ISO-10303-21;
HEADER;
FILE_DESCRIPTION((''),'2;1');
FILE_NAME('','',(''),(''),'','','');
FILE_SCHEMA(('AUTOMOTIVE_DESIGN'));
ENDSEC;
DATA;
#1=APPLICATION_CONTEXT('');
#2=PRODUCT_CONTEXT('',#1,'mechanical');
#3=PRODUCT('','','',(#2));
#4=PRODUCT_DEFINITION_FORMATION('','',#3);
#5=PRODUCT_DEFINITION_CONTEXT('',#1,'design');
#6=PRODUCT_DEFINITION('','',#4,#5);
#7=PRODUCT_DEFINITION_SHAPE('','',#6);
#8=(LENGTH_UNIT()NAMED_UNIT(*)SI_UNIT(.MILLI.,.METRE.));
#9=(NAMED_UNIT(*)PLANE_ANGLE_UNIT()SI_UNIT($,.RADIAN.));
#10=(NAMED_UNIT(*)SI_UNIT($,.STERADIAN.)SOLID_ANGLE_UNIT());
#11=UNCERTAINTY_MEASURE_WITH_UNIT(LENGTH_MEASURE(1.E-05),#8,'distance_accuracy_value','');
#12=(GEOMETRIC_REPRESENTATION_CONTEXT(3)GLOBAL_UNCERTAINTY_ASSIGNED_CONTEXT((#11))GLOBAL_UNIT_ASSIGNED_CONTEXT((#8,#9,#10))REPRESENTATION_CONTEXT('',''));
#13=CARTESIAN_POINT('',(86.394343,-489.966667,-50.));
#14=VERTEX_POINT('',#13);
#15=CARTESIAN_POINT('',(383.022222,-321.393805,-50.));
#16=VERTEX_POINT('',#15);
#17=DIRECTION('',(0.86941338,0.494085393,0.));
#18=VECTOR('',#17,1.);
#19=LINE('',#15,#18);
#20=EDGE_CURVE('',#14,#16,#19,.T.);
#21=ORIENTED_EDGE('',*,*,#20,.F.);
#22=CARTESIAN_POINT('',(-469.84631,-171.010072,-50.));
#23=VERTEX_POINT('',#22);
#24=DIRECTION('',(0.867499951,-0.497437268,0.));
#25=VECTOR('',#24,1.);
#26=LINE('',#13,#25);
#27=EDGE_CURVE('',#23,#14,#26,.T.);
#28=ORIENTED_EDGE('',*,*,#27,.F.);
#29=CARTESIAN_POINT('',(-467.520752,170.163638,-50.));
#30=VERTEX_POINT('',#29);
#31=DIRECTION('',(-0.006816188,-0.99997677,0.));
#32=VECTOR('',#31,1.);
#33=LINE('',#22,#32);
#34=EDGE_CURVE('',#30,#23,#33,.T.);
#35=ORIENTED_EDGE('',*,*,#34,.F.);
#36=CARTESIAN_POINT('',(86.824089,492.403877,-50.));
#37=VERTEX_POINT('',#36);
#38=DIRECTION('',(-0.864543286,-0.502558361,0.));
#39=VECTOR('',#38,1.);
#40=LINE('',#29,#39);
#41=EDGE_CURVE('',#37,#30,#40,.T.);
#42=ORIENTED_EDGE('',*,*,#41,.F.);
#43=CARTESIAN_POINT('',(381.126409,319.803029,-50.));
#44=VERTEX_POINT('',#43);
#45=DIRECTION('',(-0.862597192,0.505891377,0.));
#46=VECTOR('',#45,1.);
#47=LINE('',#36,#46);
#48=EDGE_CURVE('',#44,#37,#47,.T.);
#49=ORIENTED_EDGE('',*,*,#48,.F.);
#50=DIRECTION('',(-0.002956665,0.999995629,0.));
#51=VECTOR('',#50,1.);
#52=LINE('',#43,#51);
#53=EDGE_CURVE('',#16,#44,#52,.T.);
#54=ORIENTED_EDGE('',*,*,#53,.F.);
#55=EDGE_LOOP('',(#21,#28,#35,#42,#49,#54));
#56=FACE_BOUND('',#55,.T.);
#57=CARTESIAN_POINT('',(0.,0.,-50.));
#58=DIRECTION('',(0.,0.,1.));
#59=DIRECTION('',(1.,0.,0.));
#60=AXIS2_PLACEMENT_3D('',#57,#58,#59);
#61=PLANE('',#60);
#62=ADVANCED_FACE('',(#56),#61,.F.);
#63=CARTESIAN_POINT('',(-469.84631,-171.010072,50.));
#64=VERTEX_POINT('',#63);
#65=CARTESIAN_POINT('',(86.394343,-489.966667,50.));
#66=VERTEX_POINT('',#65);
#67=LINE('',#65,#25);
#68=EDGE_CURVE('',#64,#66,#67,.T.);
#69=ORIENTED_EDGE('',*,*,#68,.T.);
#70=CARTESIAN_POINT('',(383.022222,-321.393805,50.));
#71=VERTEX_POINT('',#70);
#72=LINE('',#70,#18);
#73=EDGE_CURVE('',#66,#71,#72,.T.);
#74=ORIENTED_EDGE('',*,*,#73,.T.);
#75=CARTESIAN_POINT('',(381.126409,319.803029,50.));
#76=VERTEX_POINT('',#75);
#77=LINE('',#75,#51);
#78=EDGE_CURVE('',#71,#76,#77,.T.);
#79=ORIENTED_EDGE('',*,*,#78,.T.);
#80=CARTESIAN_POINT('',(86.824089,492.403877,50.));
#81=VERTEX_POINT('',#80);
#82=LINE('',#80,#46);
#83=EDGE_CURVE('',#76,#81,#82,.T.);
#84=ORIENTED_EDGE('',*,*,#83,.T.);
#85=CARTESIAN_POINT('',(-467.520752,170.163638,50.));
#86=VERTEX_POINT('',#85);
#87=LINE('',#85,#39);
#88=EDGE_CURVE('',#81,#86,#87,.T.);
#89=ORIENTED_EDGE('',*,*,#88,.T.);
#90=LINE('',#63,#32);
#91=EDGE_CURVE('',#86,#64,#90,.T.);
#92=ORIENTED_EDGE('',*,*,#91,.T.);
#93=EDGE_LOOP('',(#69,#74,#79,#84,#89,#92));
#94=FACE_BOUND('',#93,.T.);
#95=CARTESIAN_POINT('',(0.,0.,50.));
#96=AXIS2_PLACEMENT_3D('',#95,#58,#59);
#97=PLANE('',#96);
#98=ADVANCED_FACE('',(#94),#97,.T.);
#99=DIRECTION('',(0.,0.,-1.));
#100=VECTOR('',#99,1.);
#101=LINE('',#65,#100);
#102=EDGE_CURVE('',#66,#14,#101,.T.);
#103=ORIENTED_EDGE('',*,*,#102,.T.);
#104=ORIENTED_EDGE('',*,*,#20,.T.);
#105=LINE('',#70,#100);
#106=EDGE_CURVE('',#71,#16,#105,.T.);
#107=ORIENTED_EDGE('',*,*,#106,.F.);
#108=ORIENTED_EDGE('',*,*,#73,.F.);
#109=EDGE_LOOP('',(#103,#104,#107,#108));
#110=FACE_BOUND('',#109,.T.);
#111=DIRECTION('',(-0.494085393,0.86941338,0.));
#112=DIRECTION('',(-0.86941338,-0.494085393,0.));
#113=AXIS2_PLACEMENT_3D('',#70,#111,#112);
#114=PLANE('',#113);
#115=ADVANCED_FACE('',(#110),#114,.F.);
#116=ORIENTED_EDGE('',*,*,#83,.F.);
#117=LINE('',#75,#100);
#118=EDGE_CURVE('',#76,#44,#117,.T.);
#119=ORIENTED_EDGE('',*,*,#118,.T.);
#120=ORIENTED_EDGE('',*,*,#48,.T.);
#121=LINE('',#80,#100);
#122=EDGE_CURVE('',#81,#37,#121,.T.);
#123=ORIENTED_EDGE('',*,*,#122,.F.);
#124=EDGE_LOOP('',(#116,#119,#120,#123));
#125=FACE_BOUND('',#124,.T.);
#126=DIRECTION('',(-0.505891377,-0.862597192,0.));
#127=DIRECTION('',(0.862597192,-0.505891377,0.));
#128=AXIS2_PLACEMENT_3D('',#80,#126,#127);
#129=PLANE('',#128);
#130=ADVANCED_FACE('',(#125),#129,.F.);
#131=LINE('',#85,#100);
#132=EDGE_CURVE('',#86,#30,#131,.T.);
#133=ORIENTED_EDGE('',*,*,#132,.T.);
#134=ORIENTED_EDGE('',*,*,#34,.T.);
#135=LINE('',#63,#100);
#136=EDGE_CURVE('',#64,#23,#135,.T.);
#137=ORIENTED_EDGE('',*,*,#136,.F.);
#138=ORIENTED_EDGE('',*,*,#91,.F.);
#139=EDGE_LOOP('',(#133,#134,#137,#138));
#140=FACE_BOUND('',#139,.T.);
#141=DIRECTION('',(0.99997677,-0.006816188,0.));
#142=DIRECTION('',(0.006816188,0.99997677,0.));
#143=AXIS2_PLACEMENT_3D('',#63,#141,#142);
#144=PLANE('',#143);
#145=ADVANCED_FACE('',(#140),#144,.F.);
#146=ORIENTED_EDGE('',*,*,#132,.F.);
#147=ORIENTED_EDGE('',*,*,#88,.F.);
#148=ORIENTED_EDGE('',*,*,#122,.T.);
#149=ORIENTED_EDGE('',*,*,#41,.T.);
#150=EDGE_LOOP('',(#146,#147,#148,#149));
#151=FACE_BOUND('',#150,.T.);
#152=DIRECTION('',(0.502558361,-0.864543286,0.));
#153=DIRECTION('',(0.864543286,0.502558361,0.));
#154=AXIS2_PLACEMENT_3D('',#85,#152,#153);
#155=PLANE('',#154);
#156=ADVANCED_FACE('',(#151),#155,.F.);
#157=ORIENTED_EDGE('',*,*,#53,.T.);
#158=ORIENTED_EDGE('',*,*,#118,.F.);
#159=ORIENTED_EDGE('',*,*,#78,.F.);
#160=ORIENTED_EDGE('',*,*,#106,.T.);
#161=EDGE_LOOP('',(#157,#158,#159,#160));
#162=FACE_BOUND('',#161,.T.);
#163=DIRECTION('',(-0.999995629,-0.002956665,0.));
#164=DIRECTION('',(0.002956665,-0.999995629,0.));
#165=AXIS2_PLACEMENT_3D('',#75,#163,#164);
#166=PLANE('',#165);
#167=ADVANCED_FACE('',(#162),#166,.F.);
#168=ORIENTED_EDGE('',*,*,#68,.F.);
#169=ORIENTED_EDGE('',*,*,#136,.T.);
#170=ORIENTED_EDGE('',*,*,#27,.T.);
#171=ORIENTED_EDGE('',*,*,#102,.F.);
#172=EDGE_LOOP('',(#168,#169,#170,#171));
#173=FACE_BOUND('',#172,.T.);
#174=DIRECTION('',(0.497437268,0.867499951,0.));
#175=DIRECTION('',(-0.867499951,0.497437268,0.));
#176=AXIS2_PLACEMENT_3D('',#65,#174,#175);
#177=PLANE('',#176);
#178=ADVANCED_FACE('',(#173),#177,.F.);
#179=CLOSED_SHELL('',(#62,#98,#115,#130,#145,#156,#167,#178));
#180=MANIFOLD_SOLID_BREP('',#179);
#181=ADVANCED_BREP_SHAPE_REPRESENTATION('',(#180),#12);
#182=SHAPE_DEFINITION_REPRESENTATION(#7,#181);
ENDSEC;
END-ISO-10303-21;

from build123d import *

# Parameters (mm, degrees)
EXTRUDE_1_DEPTH = 50


with BuildPart() as part:
    # 草图1 → 凸台-拉伸1 (new, symmetric)
    with BuildSketch(Plane.XY):
        Polygon((381.126409191, 319.803029384), (383.022221559, -321.393804843), (86.394343058, -489.966667104), (-469.846310393, -171.010071663), (-467.520752249, 170.16363772), (86.824088833, 492.403876506), align=None)
    extrude(amount=EXTRUDE_1_DEPTH, both=True)


solid = part.part
